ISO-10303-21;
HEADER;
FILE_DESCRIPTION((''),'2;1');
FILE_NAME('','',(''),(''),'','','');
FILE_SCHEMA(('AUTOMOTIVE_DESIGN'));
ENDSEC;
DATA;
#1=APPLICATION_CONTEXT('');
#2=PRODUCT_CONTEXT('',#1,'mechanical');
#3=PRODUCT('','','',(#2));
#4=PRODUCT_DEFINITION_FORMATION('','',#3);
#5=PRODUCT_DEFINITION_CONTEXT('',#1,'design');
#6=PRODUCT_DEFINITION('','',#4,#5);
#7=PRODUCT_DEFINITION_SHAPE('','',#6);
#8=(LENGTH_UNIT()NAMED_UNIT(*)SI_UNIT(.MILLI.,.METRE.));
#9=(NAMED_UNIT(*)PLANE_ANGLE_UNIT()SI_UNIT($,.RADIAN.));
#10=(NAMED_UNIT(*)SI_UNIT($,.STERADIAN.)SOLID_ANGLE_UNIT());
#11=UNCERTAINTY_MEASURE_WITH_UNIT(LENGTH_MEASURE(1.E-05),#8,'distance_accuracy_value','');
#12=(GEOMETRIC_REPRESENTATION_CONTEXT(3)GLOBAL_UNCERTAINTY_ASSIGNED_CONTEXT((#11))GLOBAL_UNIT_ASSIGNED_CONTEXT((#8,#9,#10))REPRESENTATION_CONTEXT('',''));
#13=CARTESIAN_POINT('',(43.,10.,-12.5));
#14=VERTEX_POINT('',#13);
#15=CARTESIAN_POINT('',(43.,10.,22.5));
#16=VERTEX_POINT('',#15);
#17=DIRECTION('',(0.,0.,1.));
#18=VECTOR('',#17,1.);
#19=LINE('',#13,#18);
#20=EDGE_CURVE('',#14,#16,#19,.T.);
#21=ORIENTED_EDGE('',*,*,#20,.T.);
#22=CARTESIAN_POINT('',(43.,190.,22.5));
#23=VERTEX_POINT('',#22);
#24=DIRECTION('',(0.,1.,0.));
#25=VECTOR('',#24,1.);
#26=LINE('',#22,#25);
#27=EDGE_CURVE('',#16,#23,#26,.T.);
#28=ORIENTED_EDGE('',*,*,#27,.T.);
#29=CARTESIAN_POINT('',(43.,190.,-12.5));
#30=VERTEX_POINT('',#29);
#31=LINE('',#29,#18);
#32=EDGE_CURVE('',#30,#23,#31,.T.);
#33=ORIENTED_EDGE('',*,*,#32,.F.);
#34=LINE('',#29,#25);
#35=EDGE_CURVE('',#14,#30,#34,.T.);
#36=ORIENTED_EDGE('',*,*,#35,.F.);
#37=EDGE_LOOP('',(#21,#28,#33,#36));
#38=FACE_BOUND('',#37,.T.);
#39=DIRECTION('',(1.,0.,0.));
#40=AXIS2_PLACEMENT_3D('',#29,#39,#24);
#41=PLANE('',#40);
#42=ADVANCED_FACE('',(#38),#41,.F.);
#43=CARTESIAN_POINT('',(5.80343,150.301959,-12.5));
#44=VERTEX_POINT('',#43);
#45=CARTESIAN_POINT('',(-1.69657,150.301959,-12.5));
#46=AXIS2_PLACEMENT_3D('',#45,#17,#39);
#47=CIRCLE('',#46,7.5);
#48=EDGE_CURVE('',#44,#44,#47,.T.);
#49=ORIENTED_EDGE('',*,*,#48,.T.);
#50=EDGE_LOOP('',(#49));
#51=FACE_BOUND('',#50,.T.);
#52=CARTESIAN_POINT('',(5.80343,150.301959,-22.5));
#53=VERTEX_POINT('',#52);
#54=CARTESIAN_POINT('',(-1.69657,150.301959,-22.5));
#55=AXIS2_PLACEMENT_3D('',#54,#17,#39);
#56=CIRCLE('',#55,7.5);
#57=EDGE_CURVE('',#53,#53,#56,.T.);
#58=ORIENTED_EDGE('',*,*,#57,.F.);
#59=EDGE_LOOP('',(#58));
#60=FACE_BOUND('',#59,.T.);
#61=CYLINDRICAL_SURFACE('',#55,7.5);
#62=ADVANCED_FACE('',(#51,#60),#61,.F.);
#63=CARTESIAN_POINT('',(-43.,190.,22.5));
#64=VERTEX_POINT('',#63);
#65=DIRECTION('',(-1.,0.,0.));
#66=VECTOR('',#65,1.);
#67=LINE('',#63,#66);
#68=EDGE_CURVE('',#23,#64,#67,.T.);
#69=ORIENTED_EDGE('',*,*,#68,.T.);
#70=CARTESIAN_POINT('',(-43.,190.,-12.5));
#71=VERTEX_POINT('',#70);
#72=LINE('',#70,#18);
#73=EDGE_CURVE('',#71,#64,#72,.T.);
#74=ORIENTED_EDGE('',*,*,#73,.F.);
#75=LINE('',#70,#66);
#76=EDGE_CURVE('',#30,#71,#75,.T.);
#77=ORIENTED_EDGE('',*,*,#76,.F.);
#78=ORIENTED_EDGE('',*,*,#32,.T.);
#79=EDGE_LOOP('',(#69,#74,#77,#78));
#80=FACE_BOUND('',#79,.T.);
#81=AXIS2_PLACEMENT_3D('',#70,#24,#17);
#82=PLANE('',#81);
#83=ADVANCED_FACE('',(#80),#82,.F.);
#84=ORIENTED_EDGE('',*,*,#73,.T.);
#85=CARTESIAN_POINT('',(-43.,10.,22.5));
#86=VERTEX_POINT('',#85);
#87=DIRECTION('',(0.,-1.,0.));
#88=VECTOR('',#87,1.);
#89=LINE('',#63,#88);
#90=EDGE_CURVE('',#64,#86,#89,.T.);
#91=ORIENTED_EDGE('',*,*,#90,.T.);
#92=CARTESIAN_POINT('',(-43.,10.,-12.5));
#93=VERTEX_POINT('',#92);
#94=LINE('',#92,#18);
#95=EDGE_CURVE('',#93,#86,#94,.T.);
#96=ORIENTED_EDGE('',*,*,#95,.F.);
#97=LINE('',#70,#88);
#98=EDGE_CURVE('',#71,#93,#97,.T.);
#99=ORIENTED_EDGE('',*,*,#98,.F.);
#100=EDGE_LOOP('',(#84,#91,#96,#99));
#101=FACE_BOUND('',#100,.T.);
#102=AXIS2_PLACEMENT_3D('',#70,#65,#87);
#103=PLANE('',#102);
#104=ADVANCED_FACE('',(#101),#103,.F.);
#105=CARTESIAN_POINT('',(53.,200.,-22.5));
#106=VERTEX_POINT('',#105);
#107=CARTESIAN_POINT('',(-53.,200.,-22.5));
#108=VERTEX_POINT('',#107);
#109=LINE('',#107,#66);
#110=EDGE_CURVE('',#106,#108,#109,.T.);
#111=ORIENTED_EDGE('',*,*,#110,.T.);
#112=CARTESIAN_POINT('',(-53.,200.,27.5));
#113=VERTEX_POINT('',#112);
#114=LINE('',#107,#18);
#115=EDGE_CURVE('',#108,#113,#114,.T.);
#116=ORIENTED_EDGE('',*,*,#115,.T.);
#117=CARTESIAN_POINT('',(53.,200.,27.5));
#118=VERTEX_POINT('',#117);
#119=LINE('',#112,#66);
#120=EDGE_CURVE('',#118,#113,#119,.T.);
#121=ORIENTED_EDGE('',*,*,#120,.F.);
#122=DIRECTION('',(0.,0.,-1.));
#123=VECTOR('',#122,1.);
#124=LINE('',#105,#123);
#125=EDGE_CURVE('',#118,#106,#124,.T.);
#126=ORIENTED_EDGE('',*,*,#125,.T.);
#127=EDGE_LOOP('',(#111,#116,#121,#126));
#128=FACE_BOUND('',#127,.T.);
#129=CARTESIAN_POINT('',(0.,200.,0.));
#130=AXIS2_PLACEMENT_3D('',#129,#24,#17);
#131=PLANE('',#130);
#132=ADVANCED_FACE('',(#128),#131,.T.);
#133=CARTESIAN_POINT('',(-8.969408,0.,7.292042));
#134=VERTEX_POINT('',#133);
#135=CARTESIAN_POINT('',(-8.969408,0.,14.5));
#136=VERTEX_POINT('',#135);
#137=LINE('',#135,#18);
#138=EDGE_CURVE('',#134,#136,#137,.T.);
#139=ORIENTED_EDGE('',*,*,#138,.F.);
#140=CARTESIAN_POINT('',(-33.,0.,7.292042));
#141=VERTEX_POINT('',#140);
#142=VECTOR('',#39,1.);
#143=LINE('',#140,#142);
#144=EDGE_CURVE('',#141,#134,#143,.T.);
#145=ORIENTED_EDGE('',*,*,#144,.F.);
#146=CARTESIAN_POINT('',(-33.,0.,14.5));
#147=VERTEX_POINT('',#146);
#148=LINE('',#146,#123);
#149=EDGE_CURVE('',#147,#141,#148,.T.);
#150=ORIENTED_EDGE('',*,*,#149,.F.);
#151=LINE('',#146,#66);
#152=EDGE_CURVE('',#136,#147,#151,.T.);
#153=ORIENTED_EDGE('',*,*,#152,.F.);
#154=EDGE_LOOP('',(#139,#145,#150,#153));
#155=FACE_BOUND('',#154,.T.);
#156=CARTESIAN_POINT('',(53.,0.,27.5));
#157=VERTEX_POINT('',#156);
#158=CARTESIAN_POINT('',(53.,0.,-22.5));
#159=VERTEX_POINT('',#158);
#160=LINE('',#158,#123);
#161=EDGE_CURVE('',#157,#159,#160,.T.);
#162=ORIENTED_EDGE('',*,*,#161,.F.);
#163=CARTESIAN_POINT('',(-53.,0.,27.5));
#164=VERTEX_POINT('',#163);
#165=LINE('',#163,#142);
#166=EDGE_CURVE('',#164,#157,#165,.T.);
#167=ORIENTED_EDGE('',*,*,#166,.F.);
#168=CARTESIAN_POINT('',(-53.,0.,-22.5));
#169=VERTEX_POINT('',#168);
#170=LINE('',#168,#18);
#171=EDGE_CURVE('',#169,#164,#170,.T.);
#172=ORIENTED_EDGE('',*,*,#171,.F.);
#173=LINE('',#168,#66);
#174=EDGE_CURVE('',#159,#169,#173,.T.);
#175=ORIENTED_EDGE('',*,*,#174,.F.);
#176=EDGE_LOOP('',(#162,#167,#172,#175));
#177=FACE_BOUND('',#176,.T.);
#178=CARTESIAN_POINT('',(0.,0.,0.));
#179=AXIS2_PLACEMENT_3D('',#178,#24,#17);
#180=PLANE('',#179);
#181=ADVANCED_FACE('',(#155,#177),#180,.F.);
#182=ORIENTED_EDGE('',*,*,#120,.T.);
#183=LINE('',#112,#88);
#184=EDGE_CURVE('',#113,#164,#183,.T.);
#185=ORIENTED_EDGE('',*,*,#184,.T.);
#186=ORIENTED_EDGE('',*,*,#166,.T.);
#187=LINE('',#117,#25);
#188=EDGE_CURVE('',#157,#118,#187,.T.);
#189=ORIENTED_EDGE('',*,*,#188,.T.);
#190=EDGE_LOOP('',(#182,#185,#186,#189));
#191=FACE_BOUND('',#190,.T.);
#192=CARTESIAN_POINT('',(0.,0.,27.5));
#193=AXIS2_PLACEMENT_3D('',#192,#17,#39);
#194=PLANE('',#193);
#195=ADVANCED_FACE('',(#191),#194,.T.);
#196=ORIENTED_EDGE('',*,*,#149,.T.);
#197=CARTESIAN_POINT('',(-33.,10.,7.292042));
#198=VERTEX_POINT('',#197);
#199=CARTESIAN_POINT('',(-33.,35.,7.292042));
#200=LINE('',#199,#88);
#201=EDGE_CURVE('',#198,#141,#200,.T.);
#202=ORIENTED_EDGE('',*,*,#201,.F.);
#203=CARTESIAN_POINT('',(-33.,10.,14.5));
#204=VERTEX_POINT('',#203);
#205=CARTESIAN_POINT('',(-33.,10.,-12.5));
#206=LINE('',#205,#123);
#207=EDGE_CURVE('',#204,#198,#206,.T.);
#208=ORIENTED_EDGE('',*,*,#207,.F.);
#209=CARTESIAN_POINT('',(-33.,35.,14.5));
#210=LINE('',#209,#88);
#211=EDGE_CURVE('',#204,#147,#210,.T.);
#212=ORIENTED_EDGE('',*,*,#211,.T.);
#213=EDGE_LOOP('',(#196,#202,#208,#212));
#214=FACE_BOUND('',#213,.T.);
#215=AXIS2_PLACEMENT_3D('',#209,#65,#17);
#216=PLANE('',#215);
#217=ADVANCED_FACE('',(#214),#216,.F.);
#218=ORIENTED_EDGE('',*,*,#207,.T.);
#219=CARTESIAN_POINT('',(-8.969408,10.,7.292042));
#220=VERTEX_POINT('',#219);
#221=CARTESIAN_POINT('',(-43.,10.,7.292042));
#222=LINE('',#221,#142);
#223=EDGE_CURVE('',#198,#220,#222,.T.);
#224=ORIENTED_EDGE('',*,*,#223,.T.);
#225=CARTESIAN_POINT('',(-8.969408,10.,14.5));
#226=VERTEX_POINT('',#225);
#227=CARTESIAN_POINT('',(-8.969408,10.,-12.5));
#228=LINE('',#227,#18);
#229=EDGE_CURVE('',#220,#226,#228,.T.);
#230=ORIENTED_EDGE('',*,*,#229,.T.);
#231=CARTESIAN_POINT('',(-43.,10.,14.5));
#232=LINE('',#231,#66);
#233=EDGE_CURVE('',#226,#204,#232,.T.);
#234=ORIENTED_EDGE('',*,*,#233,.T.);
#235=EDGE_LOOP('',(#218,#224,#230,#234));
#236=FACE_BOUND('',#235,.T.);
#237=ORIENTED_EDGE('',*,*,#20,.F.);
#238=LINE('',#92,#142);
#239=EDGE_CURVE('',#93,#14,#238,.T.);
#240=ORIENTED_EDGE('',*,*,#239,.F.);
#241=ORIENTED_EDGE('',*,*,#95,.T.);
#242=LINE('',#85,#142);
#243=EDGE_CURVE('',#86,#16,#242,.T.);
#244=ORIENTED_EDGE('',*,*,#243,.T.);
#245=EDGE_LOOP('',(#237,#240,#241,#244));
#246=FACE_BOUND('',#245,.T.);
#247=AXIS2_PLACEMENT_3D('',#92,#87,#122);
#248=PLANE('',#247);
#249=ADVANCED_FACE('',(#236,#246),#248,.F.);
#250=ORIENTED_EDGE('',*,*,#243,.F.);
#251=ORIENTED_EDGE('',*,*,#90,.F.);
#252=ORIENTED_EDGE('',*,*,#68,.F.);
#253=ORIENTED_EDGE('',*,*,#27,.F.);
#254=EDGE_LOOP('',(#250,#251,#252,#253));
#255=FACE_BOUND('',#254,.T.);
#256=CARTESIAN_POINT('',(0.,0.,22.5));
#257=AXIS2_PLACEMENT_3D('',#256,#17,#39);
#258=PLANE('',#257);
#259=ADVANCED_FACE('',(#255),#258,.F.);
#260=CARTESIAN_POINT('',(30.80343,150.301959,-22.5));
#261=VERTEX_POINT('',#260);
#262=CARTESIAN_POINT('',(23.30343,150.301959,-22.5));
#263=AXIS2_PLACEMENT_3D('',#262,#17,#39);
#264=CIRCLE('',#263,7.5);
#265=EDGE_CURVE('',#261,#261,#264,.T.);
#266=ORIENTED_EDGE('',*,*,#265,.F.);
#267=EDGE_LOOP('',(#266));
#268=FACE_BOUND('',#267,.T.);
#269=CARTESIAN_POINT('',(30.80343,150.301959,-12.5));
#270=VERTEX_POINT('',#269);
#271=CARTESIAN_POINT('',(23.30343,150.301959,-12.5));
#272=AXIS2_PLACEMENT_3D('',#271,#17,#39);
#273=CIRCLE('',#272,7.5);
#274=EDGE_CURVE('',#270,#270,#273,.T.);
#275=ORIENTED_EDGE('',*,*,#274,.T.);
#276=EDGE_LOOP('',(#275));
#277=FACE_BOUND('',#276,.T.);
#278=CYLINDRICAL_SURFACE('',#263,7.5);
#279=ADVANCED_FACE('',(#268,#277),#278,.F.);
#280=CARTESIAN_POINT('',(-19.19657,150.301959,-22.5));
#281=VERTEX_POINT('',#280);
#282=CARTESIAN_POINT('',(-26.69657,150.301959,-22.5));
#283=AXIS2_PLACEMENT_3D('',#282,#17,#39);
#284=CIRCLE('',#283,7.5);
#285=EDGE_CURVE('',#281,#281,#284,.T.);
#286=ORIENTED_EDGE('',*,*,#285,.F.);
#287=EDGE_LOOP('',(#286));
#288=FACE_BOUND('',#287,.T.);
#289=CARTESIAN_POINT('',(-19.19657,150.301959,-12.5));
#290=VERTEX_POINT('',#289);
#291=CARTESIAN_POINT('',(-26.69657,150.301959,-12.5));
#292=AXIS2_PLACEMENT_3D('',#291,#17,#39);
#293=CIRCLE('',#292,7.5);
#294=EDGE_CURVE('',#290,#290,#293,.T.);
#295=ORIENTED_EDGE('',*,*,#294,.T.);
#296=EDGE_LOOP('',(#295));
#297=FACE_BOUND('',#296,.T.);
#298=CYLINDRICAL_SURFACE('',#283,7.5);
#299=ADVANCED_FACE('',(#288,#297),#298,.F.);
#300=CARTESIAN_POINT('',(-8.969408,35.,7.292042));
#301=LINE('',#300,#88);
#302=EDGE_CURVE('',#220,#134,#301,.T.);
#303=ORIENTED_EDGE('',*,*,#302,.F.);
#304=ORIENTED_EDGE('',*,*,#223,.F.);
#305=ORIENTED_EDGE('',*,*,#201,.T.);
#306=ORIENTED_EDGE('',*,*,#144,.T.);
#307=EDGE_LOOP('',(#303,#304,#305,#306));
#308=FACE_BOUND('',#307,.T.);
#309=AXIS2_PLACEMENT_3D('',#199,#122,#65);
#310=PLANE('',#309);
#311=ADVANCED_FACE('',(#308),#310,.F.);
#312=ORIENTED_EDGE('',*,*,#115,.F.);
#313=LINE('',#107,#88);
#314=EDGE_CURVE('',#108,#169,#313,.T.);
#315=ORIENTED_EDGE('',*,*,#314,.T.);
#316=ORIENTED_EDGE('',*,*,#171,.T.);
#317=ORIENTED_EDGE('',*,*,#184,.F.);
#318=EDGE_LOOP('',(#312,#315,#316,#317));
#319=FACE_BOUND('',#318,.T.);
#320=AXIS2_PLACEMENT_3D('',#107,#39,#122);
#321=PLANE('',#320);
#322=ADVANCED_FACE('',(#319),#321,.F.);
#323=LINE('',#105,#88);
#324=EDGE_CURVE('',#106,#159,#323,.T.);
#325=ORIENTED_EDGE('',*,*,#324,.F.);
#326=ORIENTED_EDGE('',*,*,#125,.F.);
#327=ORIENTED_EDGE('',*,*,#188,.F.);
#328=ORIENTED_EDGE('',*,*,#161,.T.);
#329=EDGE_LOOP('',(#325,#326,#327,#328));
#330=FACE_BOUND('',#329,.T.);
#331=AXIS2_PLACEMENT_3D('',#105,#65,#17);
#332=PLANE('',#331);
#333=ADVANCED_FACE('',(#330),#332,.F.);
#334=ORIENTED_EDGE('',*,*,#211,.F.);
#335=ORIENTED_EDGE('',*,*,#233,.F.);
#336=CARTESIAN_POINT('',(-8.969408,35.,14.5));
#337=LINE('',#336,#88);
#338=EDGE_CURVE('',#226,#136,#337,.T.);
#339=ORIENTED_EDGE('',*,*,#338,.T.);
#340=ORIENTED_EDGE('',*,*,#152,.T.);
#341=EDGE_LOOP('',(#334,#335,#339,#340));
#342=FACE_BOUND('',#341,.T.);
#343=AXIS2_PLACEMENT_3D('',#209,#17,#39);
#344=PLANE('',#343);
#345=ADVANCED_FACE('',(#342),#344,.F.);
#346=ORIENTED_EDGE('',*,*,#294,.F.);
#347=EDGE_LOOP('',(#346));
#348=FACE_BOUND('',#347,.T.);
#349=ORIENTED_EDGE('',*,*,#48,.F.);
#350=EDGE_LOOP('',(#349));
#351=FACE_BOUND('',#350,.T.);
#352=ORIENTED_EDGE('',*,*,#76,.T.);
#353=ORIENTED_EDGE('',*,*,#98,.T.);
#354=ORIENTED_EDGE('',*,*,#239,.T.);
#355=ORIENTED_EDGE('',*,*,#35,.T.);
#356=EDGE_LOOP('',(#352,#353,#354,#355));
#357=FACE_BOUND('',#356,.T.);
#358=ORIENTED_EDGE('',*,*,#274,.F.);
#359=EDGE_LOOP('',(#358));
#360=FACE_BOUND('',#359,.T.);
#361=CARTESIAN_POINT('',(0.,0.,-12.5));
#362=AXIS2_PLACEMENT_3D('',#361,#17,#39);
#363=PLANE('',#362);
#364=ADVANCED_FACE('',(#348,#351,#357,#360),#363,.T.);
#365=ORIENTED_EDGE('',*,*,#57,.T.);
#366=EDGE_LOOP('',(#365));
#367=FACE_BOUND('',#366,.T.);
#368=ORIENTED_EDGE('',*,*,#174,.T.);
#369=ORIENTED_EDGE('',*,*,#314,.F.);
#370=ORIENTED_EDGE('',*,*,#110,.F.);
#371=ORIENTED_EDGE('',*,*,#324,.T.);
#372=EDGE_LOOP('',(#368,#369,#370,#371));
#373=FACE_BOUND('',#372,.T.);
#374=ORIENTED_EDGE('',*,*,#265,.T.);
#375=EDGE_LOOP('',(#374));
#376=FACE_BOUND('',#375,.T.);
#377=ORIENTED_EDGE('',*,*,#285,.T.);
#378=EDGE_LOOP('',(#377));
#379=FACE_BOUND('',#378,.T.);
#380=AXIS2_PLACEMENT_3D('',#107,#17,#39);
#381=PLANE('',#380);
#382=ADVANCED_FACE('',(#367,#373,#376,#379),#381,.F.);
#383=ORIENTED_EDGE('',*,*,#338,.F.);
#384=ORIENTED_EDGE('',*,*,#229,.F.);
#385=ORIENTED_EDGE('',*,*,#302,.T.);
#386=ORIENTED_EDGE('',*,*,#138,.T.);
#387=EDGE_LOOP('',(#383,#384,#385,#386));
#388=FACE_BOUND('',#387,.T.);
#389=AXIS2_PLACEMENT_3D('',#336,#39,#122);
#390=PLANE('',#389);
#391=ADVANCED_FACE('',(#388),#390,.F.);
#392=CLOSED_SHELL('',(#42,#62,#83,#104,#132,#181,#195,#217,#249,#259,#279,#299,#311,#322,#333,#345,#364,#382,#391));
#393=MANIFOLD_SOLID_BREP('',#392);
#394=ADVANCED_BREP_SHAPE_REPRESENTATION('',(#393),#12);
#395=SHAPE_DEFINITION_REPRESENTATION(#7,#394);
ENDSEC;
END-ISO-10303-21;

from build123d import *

# Parameters (mm, degrees)
SKETCH_1_W          = 106
SKETCH_1_H          = 45
EXTRUDE_1_DEPTH     = 200
SKETCH_2_W          = 86
SKETCH_2_H          = 180
CUT_EXTRUDE_1_DEPTH = 35
SKETCH_3_R          = 7.5
CUT_EXTRUDE_2_DEPTH = 210.842798304
SKETCH_4_W          = 24.030592061
SKETCH_4_H          = 7.207958271
CUT_EXTRUDE_4_DEPTH = 35
SKETCH_5_W          = 106
SKETCH_5_H          = 200
EXTRUDE_2_DEPTH     = 5


with BuildPart() as part:
    # 草圖1 → 填料-伸長1 (new body)
    with BuildSketch(Plane(origin=(0, 0, 0), x_dir=(1, 0, 0), z_dir=(0, 1, 0))):
        Rectangle(SKETCH_1_W, SKETCH_1_H)
    extrude(amount=EXTRUDE_1_DEPTH)

    # 草圖2 → 除料-伸長1 (cut)
    with BuildSketch(Plane.XY.offset(22.5)):
        with Locations((0, 100)):
            Rectangle(SKETCH_2_W, SKETCH_2_H)
    extrude(amount=-CUT_EXTRUDE_1_DEPTH, mode=Mode.SUBTRACT)

    # 草圖3 → 除料-伸長2 (cut, through all)
    with BuildSketch(Plane.XY.offset(-12.5)):
        with Locations((-26.696570332, 150.301958836)):
            Circle(SKETCH_3_R)
        with Locations((-1.696570332, 150.301958836)):
            Circle(SKETCH_3_R)
        with Locations((23.303429668, 150.301958836)):
            Circle(SKETCH_3_R)
    extrude(amount=-CUT_EXTRUDE_2_DEPTH, mode=Mode.SUBTRACT)

    # 草圖4 → 除料-伸長4 (cut)
    with BuildSketch(Plane.XZ):
        with Locations((-20.984703969, 10.896020865)):
            Rectangle(SKETCH_4_W, SKETCH_4_H)
    extrude(amount=-CUT_EXTRUDE_4_DEPTH, mode=Mode.SUBTRACT)

    # 草圖5 → 填料-伸長2 (add)
    with BuildSketch(Plane.XY.offset(22.5)):
        with Locations((0, 100)):
            Rectangle(SKETCH_5_W, SKETCH_5_H)
    extrude(amount=EXTRUDE_2_DEPTH)


solid = part.part
